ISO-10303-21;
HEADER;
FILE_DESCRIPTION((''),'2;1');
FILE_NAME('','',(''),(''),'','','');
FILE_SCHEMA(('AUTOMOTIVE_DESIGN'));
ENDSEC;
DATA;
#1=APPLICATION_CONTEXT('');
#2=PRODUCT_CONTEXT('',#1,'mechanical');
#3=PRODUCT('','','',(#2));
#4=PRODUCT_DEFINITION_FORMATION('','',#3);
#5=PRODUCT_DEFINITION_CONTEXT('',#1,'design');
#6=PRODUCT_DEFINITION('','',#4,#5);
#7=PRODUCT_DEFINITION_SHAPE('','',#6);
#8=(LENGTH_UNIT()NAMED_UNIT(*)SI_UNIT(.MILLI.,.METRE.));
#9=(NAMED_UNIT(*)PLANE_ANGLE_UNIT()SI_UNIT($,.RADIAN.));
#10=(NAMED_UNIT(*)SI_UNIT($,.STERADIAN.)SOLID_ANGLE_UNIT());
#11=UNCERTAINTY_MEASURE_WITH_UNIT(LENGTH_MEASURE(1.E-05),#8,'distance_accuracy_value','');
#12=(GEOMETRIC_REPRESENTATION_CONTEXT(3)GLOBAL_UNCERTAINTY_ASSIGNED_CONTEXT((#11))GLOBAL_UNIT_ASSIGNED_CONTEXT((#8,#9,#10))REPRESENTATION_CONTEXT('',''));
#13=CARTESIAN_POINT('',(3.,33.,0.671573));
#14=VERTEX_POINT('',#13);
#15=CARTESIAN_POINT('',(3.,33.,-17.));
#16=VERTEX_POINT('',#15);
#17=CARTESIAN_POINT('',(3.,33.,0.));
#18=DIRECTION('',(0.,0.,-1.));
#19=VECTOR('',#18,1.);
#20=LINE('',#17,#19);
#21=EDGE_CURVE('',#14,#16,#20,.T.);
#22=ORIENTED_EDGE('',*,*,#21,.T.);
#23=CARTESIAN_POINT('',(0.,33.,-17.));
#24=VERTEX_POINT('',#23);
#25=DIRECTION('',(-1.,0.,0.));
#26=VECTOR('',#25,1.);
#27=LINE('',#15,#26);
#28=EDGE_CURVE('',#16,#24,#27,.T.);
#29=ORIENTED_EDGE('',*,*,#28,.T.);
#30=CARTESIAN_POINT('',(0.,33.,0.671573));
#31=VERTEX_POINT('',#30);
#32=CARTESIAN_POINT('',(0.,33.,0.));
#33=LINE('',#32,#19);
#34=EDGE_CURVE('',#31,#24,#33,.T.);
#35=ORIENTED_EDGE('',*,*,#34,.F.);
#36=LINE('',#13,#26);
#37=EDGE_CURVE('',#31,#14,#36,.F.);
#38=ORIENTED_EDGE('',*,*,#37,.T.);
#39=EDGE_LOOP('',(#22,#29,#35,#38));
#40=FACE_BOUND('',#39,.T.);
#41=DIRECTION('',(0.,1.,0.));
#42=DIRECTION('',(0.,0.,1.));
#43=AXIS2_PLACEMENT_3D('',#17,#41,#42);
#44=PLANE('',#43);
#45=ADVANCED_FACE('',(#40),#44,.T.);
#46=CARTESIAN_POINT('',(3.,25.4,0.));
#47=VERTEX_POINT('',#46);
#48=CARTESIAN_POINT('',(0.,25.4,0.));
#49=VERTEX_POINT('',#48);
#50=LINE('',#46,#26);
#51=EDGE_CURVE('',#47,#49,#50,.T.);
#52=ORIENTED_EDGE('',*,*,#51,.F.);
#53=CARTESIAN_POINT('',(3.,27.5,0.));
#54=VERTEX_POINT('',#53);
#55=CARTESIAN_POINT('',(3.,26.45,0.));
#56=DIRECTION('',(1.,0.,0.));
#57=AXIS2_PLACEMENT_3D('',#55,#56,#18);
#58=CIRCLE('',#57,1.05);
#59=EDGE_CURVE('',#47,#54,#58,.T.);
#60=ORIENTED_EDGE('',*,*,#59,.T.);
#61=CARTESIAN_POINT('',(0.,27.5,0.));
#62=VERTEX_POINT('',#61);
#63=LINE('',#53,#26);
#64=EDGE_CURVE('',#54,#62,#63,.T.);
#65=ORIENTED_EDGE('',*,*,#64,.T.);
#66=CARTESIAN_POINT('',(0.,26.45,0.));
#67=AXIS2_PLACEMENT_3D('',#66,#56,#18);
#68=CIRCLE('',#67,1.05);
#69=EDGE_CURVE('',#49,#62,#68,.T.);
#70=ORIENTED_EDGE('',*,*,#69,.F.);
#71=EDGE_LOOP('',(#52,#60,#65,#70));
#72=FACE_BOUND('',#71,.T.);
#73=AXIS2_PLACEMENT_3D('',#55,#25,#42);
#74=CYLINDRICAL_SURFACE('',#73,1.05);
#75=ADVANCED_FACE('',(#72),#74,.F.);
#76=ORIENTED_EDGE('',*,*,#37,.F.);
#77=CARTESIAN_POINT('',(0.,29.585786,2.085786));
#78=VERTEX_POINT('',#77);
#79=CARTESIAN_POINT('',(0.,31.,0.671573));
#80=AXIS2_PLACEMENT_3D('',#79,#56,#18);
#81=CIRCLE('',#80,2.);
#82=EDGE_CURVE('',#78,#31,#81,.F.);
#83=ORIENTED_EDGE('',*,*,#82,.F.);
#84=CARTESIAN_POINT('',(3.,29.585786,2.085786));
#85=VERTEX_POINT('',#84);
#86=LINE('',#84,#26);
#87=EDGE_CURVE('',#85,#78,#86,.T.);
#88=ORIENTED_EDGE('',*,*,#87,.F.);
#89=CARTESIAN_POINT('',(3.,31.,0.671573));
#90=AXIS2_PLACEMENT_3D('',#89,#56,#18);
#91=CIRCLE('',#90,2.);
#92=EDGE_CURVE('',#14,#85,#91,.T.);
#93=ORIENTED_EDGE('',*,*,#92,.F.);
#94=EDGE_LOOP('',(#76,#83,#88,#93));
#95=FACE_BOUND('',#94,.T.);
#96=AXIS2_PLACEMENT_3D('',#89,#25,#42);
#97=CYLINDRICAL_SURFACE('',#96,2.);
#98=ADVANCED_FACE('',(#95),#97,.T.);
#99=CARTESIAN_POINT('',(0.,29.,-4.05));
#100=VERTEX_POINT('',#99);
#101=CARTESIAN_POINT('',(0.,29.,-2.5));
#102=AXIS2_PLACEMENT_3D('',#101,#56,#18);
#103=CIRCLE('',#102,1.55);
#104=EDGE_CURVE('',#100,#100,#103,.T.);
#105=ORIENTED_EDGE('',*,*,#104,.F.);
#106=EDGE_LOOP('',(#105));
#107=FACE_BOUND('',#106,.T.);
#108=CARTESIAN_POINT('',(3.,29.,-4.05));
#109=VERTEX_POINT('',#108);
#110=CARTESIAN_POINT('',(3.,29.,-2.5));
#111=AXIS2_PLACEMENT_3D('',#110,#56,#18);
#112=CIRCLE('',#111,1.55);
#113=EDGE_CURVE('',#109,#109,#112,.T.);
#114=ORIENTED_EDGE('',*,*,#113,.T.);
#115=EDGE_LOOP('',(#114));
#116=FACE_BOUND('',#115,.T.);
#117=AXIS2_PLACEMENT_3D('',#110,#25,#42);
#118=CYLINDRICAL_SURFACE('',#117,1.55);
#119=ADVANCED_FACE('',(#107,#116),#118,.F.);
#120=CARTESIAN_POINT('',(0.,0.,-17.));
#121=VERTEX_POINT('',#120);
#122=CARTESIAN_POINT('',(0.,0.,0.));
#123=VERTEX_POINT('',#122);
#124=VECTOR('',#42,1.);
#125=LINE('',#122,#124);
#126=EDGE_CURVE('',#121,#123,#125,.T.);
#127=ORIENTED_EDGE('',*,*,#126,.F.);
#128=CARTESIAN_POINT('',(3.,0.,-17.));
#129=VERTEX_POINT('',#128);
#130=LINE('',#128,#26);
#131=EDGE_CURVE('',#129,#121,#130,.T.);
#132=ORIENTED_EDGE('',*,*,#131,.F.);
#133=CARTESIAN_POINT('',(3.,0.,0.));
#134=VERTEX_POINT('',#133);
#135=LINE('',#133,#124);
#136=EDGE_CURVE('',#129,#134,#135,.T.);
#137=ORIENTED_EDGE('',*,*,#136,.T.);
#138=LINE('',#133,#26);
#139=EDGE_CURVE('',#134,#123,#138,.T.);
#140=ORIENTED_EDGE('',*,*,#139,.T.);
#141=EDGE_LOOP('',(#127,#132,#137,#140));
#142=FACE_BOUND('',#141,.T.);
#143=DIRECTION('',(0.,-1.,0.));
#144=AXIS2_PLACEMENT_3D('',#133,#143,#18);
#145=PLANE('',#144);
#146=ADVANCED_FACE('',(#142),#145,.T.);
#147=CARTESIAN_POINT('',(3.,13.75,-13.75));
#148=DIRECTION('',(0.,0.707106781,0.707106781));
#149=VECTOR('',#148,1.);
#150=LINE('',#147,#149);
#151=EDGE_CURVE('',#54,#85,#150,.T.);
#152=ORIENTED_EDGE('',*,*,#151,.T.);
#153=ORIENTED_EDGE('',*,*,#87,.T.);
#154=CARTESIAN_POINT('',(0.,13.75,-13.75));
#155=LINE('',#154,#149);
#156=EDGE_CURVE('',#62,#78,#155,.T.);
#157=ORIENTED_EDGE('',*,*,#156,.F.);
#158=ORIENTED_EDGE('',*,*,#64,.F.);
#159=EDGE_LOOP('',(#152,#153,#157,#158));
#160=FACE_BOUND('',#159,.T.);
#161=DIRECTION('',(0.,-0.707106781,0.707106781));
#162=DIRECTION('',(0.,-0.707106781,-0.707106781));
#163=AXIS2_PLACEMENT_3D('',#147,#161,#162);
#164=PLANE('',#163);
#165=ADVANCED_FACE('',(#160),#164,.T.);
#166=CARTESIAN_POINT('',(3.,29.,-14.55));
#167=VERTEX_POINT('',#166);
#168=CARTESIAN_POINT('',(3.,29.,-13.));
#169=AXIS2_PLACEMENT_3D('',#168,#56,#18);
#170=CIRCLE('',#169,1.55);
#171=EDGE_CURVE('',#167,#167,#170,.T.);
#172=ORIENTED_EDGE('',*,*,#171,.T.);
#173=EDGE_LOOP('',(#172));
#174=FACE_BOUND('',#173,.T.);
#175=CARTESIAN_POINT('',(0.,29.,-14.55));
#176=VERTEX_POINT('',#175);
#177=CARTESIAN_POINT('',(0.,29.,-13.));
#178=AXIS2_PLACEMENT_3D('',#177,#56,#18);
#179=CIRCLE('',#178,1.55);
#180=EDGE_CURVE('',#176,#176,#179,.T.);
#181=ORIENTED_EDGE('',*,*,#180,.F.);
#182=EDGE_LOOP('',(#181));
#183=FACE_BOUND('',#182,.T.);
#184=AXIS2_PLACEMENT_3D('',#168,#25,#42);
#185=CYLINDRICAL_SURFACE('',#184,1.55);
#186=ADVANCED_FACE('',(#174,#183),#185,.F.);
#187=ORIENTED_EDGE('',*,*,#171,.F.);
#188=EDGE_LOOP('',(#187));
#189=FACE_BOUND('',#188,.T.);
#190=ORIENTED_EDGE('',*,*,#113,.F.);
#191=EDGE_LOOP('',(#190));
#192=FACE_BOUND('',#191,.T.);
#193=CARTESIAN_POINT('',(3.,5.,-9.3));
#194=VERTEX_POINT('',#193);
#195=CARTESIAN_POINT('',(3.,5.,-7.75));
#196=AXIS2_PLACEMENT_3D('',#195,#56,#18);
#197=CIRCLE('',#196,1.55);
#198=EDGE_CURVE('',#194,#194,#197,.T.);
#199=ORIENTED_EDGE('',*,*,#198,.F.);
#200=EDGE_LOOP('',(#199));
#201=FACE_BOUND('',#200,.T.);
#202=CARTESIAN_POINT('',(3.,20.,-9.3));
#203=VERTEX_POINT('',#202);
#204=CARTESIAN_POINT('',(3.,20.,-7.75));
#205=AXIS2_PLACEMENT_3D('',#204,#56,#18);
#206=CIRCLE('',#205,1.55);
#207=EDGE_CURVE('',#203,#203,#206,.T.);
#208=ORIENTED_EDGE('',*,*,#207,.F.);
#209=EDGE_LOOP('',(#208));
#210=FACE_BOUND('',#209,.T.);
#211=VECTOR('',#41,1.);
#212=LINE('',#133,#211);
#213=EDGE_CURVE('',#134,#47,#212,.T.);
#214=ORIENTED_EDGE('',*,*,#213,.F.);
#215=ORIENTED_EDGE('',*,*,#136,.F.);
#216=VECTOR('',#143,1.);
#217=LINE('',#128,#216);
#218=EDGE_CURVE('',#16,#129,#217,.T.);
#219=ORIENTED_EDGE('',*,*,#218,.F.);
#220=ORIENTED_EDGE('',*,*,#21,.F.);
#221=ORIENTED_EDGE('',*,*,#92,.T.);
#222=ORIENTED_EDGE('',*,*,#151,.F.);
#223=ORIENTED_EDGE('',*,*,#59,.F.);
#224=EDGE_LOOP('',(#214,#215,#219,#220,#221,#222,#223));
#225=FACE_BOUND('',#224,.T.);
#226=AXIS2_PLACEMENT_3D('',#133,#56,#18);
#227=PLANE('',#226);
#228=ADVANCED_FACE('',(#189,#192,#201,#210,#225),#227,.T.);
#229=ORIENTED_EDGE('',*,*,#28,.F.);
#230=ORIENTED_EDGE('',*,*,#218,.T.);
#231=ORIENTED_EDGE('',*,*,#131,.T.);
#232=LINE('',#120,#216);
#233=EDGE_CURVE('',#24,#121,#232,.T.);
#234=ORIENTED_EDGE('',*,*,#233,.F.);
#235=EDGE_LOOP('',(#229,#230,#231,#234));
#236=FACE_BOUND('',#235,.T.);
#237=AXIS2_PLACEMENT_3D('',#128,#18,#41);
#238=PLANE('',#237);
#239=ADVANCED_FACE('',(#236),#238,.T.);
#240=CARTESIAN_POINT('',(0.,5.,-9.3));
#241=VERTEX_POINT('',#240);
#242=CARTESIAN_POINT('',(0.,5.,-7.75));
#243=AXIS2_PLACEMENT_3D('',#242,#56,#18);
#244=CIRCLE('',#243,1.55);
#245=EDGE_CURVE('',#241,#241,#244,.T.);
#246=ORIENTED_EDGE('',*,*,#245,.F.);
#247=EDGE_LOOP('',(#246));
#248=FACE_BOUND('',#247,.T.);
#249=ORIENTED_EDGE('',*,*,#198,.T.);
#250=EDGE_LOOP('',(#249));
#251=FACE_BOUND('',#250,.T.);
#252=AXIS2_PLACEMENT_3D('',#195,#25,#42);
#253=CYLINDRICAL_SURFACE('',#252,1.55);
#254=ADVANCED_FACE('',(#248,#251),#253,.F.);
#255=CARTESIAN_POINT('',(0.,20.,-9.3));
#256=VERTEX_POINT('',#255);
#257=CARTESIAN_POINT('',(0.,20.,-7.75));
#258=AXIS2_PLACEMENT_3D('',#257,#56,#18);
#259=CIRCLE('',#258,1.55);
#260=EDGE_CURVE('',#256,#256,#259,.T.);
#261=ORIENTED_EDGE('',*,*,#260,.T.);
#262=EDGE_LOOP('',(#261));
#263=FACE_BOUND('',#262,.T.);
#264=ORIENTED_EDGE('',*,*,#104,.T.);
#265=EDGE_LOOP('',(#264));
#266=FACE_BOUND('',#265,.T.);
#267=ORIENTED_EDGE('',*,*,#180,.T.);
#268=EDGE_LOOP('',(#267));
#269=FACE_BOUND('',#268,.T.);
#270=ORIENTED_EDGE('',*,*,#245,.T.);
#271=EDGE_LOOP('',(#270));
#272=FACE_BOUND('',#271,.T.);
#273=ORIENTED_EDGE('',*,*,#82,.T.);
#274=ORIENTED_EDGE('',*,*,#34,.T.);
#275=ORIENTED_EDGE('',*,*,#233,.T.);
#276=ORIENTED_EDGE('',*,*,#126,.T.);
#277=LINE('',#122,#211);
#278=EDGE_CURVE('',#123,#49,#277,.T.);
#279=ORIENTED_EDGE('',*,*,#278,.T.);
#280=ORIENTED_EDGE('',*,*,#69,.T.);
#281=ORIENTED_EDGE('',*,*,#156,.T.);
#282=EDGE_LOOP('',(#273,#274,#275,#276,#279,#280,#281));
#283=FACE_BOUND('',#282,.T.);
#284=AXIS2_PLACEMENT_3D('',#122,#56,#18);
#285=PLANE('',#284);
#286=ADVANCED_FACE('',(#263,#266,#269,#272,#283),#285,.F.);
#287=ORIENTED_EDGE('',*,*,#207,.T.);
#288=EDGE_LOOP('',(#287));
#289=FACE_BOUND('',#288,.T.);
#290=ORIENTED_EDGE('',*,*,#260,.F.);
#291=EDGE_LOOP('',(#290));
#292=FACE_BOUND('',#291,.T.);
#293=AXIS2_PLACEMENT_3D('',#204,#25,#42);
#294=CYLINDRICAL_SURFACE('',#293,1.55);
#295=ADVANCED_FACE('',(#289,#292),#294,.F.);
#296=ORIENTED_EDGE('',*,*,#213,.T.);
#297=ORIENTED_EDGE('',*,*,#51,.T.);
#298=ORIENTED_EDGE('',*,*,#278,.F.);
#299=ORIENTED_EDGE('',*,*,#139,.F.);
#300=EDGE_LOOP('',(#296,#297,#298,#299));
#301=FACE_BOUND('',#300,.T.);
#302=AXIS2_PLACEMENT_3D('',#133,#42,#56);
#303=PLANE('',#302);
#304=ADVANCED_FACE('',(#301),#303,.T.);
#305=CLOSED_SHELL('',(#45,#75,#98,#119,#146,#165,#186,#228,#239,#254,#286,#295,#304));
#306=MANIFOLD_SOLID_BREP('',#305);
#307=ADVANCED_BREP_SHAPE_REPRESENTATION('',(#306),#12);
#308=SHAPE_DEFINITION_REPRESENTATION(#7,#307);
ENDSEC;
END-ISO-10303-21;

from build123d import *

# Parameters (mm, degrees)
SKETCH_1_R      = 1.55
EXTRUDE_1_DEPTH = 3
FILLET_1_R      = 2


with BuildPart() as part:
    # 草图1 → 凸台-拉伸1 (new body)
    with BuildSketch(Plane(origin=(0, 0, 0), x_dir=(0, 0, -1), z_dir=(1, 0, 0))):
        with BuildLine():
            Line((0, 25.4), (0, 0))
            Line((0, 0), (17, 0))
            Line((17, 0), (17, 33))
            Line((17, 33), (-5.5, 33))
            Line((-5.5, 33), (0, 27.5))
            ThreePointArc((0, 27.5), (0.74246212, 27.19246212), (1.05, 26.45))
            ThreePointArc((1.05, 26.45), (0.74246212, 25.70753788), (0, 25.4))
        make_face()
        with Locations((7.75, 5)):
            Circle(SKETCH_1_R, mode=Mode.SUBTRACT)
        with Locations((2.5, 29)):
            Circle(SKETCH_1_R, mode=Mode.SUBTRACT)
        with Locations((7.75, 20)):
            Circle(SKETCH_1_R, mode=Mode.SUBTRACT)
        with Locations((13, 29)):
            Circle(SKETCH_1_R, mode=Mode.SUBTRACT)
    extrude(amount=EXTRUDE_1_DEPTH)

    # 圆角1
    fillet_1_edges = [part.edges().sort_by_distance(p)[0] for p in [
        (1.5, 33, 5.5),
    ]]
    fillet(fillet_1_edges, radius=FILLET_1_R)


solid = part.part
